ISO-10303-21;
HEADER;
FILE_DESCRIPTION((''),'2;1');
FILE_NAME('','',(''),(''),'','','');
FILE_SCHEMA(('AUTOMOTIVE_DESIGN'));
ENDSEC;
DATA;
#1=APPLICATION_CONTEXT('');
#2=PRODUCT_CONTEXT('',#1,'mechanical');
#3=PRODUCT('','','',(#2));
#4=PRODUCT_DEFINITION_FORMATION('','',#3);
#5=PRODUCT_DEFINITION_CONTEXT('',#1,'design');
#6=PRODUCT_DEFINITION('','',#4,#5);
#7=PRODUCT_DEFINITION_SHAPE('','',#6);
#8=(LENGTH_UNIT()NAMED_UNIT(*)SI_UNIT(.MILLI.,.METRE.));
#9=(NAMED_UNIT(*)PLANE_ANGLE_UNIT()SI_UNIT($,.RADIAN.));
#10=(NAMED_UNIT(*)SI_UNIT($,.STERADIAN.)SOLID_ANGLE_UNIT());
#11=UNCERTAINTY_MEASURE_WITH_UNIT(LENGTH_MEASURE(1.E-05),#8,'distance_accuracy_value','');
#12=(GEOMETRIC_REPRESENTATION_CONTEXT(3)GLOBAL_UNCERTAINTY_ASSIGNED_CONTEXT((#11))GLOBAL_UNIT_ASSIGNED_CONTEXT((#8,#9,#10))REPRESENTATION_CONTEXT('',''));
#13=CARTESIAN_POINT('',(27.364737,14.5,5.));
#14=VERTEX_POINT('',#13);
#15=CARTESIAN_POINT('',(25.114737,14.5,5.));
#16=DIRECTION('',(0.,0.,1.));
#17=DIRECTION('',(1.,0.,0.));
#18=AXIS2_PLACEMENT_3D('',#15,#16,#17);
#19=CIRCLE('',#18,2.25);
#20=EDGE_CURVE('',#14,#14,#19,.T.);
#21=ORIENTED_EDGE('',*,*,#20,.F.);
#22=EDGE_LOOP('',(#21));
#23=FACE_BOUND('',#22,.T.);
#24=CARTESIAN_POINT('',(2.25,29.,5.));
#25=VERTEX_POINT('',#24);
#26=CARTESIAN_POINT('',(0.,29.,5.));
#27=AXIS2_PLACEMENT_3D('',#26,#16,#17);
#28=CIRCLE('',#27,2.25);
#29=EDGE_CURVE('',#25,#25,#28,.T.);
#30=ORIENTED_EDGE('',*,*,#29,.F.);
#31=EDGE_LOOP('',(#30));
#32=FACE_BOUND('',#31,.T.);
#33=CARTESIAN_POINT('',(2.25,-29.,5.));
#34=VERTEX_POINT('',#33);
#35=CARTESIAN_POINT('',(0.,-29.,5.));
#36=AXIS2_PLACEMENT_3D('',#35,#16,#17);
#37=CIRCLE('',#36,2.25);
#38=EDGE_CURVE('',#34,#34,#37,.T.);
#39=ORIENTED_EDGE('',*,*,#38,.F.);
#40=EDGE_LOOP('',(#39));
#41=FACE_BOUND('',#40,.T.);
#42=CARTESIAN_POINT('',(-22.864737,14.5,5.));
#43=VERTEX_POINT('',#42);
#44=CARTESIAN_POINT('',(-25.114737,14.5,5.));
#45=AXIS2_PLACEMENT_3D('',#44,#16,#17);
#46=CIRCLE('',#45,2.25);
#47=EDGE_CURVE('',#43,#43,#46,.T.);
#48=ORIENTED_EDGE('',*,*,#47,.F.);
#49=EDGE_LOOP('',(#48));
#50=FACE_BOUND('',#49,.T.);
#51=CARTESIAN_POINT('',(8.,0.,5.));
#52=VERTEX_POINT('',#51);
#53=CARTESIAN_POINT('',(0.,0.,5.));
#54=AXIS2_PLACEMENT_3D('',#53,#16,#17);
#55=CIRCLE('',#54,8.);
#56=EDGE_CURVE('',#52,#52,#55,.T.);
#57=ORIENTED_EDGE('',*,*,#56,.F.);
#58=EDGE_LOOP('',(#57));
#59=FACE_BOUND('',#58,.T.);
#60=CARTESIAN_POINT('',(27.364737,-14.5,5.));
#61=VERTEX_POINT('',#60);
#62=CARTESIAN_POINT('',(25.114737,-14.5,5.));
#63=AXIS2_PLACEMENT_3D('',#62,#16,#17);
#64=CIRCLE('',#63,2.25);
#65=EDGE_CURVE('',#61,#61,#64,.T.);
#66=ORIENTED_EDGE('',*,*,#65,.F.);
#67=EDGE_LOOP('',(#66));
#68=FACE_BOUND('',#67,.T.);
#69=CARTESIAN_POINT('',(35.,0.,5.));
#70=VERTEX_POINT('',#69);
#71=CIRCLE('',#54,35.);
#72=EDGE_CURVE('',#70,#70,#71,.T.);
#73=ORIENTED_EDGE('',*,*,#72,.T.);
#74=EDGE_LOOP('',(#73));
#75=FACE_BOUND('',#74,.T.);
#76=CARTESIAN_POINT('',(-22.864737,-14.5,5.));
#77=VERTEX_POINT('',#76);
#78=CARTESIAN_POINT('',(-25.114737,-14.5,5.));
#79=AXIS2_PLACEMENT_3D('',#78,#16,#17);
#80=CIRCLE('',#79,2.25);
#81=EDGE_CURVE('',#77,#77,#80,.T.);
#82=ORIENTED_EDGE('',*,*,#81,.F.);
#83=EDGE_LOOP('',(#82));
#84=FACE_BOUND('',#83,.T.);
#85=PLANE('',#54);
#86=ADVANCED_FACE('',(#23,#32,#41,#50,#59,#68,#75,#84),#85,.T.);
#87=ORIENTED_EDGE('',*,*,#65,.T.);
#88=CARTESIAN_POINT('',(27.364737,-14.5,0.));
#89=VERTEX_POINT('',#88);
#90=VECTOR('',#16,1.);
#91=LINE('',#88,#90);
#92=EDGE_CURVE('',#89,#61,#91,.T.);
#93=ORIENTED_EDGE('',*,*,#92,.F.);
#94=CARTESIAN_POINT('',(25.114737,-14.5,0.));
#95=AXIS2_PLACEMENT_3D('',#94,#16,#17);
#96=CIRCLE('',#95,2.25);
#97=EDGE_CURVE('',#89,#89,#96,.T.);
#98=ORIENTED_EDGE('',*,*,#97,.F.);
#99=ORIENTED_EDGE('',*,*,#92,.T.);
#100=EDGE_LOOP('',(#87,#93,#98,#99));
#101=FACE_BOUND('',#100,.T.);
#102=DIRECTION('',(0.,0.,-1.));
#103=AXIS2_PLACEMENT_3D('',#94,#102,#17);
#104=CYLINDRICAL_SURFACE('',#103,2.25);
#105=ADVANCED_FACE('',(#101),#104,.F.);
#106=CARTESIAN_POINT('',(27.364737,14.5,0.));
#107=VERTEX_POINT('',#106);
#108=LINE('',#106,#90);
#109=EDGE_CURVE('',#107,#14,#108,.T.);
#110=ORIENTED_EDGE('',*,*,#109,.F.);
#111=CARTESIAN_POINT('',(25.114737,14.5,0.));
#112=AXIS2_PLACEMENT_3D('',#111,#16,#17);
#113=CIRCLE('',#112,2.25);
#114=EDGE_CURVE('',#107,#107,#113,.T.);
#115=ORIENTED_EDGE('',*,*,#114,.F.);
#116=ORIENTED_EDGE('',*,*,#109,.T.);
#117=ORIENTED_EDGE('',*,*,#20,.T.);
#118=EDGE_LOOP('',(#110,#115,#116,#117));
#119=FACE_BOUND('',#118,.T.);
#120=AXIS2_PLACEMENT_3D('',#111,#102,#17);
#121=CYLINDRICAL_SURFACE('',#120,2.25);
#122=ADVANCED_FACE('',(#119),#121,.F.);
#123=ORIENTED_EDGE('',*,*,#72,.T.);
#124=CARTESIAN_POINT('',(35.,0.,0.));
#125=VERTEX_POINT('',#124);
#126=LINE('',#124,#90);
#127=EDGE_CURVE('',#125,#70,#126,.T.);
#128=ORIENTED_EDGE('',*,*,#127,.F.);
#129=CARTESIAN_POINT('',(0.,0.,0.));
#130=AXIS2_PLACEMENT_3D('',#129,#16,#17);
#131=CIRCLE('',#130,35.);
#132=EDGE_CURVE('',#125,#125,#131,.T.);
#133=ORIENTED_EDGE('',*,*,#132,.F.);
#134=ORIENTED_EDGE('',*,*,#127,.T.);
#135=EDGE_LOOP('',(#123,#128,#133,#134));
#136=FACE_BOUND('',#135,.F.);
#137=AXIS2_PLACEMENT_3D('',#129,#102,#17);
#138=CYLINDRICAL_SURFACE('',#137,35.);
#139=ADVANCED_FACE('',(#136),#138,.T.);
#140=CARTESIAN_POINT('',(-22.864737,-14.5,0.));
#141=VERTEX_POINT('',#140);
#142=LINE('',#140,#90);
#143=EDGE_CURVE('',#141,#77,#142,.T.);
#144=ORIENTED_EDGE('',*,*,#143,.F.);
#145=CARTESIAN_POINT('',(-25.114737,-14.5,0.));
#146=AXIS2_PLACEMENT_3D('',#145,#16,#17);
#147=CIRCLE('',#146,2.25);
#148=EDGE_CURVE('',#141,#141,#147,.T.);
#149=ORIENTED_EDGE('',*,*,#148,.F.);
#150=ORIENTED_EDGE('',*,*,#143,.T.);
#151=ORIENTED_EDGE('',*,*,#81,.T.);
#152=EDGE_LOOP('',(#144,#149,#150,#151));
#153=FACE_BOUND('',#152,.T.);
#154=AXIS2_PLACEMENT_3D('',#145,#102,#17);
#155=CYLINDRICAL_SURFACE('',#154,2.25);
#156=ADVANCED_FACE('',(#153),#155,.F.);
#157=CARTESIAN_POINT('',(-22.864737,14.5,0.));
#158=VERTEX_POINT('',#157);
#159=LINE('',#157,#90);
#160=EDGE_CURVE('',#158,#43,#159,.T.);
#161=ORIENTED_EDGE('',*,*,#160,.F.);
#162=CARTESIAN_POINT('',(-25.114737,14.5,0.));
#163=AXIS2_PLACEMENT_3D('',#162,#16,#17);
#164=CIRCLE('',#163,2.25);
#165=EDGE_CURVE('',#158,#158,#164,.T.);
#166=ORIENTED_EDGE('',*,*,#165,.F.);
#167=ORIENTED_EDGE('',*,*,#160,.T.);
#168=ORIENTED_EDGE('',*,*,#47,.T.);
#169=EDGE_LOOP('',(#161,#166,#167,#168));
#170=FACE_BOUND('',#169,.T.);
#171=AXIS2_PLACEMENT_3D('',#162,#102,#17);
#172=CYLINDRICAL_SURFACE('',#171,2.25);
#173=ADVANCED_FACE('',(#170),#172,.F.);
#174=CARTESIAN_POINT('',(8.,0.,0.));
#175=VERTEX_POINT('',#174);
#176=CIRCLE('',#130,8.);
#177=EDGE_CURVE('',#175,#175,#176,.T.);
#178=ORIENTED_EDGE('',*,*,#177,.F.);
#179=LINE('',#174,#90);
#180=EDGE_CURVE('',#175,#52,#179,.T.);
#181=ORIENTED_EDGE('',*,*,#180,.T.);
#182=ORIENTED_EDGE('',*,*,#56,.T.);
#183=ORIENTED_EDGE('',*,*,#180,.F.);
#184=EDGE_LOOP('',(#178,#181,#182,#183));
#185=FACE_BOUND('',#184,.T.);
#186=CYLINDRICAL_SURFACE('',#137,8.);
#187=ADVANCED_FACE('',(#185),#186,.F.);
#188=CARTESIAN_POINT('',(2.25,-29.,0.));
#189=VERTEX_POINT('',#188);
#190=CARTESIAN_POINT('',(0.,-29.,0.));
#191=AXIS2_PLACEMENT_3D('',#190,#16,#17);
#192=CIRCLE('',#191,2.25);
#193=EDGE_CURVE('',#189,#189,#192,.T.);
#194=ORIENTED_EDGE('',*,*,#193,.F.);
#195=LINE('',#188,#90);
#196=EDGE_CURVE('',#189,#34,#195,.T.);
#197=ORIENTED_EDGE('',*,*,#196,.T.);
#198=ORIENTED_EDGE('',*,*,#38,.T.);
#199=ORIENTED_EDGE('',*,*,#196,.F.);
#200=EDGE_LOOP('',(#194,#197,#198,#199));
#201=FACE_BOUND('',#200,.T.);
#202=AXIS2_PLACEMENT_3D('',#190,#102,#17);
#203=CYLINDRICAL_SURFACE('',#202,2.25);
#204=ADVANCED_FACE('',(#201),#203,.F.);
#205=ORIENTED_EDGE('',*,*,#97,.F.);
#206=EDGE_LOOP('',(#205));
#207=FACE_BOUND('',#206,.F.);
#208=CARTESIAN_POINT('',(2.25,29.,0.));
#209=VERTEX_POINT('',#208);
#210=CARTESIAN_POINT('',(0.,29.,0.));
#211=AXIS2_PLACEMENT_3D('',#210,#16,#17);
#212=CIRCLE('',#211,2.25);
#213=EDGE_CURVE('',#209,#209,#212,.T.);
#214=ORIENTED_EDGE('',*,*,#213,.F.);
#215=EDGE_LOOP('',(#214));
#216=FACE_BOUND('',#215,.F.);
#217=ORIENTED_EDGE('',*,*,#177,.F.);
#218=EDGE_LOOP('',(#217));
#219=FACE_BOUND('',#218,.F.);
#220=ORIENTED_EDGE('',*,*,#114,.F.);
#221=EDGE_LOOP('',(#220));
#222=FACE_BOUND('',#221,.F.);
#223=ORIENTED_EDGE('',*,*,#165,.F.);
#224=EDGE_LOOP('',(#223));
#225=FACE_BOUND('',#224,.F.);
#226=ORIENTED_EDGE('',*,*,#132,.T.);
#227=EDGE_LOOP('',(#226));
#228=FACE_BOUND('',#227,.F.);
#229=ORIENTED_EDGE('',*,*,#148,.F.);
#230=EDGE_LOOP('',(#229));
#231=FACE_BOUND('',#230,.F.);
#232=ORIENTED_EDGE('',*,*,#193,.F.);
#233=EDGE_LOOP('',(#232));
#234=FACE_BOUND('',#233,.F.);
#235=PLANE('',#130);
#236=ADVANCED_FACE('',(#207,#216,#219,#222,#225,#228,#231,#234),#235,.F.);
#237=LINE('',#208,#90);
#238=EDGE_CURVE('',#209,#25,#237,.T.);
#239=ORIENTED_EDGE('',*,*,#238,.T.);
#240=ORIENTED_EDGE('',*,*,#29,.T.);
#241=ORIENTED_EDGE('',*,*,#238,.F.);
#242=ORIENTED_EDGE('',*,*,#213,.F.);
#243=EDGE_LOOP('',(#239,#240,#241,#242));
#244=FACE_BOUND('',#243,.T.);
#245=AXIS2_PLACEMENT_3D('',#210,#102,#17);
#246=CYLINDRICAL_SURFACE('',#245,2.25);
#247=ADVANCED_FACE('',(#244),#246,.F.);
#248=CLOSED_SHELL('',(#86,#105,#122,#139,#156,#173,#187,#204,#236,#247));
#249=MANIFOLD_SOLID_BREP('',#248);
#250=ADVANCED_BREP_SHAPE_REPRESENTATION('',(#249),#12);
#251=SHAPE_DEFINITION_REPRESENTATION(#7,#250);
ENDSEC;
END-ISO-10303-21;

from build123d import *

# Parameters (mm, degrees)
F0_R     = 35
F0_R_2   = 2.25
F0_R_3   = 8
F1_DEPTH = 5


with BuildPart() as f1:
    # F0 (on Top) → F1 (new body)
    with BuildSketch(Plane.XY):
        Circle(F0_R)
        with Locations((-25.114737, -14.5)):
            Circle(F0_R_2, mode=Mode.SUBTRACT)
        with Locations((0, -29)):
            Circle(F0_R_2, mode=Mode.SUBTRACT)
        with Locations((25.114737, -14.5)):
            Circle(F0_R_2, mode=Mode.SUBTRACT)
        with Locations((-25.114737, 14.5)):
            Circle(F0_R_2, mode=Mode.SUBTRACT)
        Circle(F0_R_3, mode=Mode.SUBTRACT)
        with Locations((25.114737, 14.5)):
            Circle(F0_R_2, mode=Mode.SUBTRACT)
        with Locations((0, 29)):
            Circle(F0_R_2, mode=Mode.SUBTRACT)
    extrude(amount=F1_DEPTH)


solid = f1.part
